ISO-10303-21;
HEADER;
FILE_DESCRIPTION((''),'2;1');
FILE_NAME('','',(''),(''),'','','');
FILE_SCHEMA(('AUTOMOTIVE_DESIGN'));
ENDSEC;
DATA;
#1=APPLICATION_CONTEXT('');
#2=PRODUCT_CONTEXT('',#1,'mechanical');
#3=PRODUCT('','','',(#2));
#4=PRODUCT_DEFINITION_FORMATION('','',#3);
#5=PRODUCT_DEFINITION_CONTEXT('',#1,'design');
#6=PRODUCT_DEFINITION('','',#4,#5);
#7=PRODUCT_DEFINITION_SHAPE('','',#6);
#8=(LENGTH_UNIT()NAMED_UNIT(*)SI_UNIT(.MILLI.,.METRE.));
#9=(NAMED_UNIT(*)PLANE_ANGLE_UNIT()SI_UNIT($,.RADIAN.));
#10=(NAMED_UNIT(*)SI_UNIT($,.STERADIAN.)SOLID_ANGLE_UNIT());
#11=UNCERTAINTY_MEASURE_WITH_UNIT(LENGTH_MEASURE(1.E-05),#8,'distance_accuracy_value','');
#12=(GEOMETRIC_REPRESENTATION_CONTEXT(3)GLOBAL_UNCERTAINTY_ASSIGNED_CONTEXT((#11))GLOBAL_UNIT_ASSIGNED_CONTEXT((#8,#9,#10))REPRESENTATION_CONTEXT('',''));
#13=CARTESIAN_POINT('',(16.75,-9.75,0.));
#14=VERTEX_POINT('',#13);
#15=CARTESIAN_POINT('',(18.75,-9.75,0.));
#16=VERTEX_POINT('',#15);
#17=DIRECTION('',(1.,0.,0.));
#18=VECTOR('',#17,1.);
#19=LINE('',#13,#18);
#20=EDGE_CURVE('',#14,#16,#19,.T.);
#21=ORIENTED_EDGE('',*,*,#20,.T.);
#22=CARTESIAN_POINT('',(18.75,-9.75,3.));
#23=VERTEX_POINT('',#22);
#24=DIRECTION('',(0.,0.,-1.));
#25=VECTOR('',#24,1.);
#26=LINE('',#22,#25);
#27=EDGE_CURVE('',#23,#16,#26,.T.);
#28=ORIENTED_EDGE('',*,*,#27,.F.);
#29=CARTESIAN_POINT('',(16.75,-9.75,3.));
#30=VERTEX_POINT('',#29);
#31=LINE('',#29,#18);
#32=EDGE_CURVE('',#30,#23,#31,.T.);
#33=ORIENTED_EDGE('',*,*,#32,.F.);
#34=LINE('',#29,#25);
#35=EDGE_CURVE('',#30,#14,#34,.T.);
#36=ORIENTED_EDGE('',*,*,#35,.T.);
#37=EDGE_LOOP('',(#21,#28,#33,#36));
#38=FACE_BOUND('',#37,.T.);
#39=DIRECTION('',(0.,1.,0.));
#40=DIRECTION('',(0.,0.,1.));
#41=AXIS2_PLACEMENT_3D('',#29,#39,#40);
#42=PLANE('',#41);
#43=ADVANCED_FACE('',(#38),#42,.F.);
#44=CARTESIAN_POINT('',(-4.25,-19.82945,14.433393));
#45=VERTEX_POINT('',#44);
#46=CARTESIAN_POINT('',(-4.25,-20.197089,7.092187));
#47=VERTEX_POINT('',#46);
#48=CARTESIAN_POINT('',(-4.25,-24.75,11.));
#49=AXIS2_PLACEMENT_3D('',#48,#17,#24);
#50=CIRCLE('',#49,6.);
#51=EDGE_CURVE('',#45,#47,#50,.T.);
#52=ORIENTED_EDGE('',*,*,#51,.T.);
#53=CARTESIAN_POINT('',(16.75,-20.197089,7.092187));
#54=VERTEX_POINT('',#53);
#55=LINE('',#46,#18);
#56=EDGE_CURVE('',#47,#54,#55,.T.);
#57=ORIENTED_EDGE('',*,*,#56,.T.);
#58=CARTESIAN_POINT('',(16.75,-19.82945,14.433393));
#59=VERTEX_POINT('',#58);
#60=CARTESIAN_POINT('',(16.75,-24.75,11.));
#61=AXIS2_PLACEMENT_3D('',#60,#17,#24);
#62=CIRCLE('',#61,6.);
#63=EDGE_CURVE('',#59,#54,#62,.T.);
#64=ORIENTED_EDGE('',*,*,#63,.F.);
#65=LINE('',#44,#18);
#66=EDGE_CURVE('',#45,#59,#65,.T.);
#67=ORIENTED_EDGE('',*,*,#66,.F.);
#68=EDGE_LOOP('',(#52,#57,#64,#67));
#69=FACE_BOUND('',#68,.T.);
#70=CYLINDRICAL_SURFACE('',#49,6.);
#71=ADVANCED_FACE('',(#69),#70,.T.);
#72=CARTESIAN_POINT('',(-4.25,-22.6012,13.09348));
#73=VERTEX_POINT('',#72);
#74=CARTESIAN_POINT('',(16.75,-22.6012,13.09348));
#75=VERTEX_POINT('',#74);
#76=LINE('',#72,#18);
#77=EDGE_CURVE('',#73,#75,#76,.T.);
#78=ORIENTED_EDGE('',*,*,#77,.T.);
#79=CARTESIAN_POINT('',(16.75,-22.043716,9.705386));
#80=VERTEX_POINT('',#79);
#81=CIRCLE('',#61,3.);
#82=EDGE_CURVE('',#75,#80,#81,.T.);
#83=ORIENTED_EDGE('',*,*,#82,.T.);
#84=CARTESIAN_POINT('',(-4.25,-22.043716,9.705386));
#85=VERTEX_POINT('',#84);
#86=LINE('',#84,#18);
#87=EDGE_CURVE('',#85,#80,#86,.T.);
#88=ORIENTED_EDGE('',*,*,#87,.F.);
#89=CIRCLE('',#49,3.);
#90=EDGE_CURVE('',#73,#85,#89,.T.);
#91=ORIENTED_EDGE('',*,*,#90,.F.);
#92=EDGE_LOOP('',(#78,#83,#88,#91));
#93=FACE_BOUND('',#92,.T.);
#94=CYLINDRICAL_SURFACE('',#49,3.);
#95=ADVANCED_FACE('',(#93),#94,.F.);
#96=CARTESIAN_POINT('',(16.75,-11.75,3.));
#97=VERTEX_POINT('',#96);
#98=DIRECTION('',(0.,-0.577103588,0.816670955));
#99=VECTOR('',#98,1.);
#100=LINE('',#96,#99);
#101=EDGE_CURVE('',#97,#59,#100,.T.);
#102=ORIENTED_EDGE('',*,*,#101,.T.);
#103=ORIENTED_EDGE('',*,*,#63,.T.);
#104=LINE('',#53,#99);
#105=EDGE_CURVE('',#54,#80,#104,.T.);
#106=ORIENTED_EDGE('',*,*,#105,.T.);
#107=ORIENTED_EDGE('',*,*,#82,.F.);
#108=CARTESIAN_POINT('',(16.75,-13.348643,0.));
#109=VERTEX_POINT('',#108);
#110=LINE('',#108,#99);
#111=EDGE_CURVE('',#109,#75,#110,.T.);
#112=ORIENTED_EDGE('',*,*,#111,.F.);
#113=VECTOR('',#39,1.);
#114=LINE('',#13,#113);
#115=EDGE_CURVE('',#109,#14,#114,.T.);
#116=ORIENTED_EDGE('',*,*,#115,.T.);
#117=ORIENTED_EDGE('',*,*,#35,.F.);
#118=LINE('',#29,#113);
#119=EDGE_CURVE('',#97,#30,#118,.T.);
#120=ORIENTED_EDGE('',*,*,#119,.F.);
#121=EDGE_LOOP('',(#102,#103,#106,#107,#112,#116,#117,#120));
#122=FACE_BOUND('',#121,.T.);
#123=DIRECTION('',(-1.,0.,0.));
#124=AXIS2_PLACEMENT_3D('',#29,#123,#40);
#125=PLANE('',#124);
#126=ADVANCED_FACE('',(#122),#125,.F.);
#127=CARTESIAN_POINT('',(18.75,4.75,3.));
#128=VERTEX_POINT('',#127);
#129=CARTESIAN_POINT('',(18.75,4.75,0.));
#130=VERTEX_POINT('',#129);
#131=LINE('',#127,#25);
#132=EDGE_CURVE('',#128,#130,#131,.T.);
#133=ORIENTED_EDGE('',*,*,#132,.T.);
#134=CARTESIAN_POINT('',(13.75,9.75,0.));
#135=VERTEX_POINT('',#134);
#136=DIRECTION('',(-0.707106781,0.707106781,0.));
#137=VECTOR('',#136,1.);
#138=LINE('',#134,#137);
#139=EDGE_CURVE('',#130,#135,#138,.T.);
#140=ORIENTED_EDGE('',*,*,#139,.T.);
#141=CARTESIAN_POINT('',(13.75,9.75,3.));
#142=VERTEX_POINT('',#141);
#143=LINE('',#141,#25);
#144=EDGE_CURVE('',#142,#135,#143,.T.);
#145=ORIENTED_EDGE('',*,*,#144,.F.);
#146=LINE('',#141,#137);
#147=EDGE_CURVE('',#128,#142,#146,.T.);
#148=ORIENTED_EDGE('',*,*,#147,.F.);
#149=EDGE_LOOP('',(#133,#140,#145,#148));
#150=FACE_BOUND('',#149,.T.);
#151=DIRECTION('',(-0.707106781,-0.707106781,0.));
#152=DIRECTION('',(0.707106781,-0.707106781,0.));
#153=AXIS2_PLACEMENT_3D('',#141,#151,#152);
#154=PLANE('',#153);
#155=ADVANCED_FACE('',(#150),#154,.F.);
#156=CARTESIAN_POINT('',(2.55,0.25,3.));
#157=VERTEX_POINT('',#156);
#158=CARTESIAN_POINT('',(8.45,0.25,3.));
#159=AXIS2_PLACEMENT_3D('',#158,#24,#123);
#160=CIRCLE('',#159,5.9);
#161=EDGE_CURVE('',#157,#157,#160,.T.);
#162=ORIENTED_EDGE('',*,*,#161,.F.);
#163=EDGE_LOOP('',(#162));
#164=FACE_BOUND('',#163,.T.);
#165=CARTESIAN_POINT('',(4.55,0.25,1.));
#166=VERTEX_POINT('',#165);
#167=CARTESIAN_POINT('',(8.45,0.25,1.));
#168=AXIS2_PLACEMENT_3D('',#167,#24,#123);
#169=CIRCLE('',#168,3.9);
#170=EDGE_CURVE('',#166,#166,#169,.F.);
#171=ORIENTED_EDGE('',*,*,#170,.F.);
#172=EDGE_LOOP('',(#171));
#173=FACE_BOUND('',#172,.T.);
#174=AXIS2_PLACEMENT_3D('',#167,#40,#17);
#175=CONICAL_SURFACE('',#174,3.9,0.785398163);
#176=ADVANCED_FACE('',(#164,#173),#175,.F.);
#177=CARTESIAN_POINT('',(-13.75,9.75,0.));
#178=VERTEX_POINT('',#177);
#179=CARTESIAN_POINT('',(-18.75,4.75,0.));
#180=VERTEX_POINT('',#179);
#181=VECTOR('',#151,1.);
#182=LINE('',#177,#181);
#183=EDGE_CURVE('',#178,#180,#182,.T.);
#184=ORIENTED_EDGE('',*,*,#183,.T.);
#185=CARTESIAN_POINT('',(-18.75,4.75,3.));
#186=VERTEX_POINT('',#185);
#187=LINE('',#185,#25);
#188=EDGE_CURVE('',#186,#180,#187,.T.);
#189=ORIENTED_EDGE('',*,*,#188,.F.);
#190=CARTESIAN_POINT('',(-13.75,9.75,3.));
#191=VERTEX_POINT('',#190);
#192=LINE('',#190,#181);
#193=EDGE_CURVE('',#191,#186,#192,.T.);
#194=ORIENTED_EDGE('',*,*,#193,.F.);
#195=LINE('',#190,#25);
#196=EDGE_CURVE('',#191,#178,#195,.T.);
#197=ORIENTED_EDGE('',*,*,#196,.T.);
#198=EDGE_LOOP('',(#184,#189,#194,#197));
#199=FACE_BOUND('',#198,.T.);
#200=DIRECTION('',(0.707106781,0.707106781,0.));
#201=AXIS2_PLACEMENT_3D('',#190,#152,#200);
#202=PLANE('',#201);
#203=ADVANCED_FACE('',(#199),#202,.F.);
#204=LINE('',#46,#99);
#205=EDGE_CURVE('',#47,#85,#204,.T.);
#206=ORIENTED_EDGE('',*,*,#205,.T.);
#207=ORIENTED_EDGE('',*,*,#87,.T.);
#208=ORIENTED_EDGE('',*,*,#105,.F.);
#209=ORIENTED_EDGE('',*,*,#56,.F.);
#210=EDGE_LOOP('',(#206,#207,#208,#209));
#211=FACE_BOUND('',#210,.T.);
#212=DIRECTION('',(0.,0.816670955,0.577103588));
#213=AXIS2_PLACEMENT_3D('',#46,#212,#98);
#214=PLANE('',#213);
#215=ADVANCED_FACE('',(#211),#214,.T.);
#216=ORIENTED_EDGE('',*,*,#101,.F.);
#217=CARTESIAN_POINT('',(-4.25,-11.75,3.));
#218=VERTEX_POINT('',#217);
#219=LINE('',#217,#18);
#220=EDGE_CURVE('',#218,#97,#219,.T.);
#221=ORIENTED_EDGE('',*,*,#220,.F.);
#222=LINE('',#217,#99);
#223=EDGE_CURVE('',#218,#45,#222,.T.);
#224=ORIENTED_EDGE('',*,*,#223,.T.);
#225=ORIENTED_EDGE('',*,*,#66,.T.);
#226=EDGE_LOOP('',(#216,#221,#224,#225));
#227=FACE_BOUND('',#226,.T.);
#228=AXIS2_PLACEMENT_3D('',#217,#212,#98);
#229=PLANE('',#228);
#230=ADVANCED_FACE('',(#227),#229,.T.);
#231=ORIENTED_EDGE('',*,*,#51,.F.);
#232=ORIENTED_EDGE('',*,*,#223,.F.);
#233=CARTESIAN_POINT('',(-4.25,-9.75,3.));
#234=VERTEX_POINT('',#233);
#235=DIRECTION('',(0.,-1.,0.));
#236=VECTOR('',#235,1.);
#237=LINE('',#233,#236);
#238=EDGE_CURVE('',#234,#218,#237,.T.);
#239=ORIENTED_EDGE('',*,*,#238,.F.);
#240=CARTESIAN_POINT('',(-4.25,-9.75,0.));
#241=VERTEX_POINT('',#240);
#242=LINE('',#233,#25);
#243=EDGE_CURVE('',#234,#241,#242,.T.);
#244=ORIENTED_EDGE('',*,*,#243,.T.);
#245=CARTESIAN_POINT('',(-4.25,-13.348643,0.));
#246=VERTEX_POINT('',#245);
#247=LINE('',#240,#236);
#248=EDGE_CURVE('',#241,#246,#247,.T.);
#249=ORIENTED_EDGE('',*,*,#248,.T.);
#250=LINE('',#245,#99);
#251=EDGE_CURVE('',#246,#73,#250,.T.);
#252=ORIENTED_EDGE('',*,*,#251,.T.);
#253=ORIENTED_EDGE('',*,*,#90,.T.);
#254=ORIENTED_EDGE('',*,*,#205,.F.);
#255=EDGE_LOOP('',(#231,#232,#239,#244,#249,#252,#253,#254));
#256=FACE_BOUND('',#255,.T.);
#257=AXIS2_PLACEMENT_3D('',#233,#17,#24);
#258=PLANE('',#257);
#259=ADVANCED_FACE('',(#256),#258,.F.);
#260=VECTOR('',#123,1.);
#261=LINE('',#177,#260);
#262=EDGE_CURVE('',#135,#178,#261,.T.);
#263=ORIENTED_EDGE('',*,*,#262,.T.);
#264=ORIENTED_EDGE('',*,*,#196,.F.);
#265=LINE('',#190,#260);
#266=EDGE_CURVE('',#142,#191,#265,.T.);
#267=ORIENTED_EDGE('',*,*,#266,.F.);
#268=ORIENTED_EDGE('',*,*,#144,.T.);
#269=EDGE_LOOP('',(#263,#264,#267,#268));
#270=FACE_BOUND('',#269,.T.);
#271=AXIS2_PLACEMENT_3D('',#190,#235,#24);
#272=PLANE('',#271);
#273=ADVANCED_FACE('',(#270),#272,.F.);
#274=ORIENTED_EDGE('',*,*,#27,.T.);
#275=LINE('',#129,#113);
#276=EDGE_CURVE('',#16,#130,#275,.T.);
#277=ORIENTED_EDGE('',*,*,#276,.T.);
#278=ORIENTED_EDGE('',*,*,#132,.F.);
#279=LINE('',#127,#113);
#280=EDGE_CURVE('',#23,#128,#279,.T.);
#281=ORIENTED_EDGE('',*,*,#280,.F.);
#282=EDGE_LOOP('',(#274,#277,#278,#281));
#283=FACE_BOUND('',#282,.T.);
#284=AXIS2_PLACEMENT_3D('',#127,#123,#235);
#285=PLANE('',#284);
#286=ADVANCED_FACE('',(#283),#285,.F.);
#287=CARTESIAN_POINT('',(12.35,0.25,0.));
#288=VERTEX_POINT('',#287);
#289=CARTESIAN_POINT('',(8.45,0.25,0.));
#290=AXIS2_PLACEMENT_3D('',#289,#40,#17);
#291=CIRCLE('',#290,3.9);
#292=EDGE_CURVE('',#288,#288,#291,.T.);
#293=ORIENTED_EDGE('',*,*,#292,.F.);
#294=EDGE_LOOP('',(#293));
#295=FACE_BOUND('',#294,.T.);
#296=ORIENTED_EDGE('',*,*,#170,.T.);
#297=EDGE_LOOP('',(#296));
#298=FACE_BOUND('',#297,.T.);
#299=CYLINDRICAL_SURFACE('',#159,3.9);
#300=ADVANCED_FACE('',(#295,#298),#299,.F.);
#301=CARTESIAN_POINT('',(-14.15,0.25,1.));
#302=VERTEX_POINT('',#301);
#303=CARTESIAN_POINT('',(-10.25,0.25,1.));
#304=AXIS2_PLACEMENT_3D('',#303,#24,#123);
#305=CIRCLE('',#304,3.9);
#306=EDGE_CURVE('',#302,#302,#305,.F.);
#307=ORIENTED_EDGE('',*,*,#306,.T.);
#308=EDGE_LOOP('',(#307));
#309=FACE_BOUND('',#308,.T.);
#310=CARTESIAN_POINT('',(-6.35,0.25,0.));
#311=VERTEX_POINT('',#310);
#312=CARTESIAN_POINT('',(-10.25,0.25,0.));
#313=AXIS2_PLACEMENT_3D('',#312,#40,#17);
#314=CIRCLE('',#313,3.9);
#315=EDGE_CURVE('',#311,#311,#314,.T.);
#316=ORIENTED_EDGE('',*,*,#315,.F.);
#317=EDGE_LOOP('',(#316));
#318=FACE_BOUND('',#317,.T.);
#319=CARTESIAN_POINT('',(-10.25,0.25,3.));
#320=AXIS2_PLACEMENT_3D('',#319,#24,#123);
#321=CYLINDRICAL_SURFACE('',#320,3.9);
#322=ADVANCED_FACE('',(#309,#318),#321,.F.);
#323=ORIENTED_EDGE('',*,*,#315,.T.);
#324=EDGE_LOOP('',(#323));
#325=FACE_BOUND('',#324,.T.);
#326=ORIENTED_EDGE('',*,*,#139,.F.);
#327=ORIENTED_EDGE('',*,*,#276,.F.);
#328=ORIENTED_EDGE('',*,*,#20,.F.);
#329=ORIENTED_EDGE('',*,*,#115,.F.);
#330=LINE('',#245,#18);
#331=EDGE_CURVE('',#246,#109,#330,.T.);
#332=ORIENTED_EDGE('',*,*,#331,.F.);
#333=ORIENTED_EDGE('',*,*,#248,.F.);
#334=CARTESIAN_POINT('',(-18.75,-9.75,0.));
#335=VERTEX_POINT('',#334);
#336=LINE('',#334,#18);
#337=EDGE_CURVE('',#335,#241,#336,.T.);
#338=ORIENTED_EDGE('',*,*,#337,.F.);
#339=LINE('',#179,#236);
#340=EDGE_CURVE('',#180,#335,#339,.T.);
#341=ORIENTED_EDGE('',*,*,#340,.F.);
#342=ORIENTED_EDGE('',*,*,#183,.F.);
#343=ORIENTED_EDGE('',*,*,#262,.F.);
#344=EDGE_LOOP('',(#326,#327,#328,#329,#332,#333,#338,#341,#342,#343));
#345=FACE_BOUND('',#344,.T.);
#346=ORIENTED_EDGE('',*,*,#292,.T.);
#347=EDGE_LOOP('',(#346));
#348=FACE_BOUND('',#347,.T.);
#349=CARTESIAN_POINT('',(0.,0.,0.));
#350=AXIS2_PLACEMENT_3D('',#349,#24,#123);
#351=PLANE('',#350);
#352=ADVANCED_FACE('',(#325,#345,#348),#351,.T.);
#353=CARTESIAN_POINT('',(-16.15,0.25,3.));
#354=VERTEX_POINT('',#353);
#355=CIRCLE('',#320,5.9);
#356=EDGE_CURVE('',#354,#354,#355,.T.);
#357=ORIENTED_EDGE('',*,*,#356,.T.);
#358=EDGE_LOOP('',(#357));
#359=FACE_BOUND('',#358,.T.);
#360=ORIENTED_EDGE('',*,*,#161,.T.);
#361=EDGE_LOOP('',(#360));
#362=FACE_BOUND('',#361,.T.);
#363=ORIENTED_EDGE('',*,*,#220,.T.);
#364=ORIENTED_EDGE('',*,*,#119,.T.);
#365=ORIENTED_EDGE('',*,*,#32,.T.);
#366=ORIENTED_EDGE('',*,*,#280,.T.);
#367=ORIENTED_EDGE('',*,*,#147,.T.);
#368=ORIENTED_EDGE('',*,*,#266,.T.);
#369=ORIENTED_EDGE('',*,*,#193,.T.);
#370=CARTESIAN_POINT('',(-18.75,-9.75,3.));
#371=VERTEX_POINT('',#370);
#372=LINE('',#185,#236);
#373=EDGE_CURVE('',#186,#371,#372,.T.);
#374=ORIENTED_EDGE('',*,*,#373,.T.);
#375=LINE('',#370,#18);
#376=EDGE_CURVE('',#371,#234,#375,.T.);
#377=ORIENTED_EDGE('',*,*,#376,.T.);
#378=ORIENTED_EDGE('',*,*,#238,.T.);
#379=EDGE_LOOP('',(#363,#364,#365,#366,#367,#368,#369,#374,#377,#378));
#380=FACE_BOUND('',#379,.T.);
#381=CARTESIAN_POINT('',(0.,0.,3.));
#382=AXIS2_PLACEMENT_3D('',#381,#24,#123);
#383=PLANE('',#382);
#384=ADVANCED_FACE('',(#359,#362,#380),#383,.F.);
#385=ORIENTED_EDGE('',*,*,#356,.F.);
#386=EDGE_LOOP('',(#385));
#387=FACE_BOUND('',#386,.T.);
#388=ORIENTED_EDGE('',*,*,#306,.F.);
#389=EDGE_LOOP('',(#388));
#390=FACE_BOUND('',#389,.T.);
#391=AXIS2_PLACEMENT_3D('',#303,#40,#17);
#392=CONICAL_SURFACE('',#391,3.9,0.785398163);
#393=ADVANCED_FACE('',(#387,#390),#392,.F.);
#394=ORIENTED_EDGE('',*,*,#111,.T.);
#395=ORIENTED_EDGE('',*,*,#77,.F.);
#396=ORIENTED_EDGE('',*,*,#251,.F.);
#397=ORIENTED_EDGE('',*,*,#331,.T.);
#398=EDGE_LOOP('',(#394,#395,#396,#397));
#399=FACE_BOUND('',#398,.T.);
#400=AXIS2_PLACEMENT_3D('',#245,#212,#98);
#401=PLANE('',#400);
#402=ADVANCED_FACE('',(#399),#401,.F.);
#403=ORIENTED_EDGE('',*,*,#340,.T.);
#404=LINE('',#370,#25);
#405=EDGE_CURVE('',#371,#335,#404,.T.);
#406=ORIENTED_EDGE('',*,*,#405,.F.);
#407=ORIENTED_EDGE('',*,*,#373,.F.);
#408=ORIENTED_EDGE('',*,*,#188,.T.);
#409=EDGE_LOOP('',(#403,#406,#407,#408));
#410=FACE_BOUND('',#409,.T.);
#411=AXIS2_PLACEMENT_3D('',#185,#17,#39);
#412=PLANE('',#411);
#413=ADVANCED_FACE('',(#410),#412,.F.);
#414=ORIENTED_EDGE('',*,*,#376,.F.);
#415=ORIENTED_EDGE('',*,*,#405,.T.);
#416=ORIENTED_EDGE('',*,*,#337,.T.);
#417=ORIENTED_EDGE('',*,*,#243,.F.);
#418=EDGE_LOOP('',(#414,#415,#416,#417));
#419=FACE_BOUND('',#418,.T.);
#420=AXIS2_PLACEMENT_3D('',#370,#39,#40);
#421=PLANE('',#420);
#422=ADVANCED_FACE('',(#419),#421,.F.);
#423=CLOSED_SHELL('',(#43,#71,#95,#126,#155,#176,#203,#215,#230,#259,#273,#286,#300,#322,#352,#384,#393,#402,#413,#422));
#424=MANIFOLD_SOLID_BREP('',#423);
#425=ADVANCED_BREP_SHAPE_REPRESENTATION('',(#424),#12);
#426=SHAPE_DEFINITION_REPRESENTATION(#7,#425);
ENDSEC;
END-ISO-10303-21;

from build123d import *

# Parameters (mm, degrees)
SZKIC1_R                         = 3.9
DODANIE_WYCI_GNI_CIE1_DEPTH      = 3
SFAZOWANIE1_SIZE                 = 2
DODANIE_WYCI_GNI_CIE2_DEPTH      = 16.75
DODANIE_WYCI_GNI_CIE2_DEPTH_BACK = 4.25


with BuildPart() as part:
    # Szkic1 → Dodanie-wyciągnięcie1 (new body)
    with BuildSketch(Plane.XY):
        Polygon((-13.75, 9.75), (-18.75, 4.75), (-18.75, -9.75), (-4.25, -9.75), (-4.25, -11.75), (16.75, -11.75), (16.75, -9.75), (18.75, -9.75), (18.75, 4.75), (13.75, 9.75), align=None)
        with Locations((8.45, 0.25)):
            Circle(SZKIC1_R, mode=Mode.SUBTRACT)
        with Locations((-10.25, 0.25)):
            Circle(SZKIC1_R, mode=Mode.SUBTRACT)
    extrude(amount=DODANIE_WYCI_GNI_CIE1_DEPTH)

    # Sfazowanie1
    sfazowanie1_edges = [part.edges().sort_by_distance(p)[0] for p in [
        (4.55, 0.25, 3),
        (-14.15, 0.25, 3),
    ]]
    chamfer(sfazowanie1_edges, length=SFAZOWANIE1_SIZE)

    # Szkic2 → Dodanie-wyciągnięcie2 (add, two sides: drawn at the far end of the back side and taken through both)
    with BuildSketch(Plane(origin=(0, 0, 0), x_dir=(0, 0, -1), z_dir=(1, 0, 0)).offset(-DODANIE_WYCI_GNI_CIE2_DEPTH_BACK)):
        with BuildLine():
            Line((-3, -11.75), (-14.433393367, -19.829450235))
            ThreePointArc((-14.433393367, -19.829450235), (-11.300096726, -30.742490463), (-7.092187095, -20.19708903))
            Line((-7.092187095, -20.19708903), (-9.705385917, -22.043715762))
            ThreePointArc((-9.705385917, -22.043715762), (-10.51292291, -27.710195248), (-13.093480354, -22.601200333))
            Line((-13.093480354, -22.601200333), (0, -13.348643413))
            Line((0, -13.348643413), (0, -11.75))
            Line((0, -11.75), (-3, -11.75))
        make_face()
    extrude(amount=DODANIE_WYCI_GNI_CIE2_DEPTH + DODANIE_WYCI_GNI_CIE2_DEPTH_BACK)


solid = part.part
